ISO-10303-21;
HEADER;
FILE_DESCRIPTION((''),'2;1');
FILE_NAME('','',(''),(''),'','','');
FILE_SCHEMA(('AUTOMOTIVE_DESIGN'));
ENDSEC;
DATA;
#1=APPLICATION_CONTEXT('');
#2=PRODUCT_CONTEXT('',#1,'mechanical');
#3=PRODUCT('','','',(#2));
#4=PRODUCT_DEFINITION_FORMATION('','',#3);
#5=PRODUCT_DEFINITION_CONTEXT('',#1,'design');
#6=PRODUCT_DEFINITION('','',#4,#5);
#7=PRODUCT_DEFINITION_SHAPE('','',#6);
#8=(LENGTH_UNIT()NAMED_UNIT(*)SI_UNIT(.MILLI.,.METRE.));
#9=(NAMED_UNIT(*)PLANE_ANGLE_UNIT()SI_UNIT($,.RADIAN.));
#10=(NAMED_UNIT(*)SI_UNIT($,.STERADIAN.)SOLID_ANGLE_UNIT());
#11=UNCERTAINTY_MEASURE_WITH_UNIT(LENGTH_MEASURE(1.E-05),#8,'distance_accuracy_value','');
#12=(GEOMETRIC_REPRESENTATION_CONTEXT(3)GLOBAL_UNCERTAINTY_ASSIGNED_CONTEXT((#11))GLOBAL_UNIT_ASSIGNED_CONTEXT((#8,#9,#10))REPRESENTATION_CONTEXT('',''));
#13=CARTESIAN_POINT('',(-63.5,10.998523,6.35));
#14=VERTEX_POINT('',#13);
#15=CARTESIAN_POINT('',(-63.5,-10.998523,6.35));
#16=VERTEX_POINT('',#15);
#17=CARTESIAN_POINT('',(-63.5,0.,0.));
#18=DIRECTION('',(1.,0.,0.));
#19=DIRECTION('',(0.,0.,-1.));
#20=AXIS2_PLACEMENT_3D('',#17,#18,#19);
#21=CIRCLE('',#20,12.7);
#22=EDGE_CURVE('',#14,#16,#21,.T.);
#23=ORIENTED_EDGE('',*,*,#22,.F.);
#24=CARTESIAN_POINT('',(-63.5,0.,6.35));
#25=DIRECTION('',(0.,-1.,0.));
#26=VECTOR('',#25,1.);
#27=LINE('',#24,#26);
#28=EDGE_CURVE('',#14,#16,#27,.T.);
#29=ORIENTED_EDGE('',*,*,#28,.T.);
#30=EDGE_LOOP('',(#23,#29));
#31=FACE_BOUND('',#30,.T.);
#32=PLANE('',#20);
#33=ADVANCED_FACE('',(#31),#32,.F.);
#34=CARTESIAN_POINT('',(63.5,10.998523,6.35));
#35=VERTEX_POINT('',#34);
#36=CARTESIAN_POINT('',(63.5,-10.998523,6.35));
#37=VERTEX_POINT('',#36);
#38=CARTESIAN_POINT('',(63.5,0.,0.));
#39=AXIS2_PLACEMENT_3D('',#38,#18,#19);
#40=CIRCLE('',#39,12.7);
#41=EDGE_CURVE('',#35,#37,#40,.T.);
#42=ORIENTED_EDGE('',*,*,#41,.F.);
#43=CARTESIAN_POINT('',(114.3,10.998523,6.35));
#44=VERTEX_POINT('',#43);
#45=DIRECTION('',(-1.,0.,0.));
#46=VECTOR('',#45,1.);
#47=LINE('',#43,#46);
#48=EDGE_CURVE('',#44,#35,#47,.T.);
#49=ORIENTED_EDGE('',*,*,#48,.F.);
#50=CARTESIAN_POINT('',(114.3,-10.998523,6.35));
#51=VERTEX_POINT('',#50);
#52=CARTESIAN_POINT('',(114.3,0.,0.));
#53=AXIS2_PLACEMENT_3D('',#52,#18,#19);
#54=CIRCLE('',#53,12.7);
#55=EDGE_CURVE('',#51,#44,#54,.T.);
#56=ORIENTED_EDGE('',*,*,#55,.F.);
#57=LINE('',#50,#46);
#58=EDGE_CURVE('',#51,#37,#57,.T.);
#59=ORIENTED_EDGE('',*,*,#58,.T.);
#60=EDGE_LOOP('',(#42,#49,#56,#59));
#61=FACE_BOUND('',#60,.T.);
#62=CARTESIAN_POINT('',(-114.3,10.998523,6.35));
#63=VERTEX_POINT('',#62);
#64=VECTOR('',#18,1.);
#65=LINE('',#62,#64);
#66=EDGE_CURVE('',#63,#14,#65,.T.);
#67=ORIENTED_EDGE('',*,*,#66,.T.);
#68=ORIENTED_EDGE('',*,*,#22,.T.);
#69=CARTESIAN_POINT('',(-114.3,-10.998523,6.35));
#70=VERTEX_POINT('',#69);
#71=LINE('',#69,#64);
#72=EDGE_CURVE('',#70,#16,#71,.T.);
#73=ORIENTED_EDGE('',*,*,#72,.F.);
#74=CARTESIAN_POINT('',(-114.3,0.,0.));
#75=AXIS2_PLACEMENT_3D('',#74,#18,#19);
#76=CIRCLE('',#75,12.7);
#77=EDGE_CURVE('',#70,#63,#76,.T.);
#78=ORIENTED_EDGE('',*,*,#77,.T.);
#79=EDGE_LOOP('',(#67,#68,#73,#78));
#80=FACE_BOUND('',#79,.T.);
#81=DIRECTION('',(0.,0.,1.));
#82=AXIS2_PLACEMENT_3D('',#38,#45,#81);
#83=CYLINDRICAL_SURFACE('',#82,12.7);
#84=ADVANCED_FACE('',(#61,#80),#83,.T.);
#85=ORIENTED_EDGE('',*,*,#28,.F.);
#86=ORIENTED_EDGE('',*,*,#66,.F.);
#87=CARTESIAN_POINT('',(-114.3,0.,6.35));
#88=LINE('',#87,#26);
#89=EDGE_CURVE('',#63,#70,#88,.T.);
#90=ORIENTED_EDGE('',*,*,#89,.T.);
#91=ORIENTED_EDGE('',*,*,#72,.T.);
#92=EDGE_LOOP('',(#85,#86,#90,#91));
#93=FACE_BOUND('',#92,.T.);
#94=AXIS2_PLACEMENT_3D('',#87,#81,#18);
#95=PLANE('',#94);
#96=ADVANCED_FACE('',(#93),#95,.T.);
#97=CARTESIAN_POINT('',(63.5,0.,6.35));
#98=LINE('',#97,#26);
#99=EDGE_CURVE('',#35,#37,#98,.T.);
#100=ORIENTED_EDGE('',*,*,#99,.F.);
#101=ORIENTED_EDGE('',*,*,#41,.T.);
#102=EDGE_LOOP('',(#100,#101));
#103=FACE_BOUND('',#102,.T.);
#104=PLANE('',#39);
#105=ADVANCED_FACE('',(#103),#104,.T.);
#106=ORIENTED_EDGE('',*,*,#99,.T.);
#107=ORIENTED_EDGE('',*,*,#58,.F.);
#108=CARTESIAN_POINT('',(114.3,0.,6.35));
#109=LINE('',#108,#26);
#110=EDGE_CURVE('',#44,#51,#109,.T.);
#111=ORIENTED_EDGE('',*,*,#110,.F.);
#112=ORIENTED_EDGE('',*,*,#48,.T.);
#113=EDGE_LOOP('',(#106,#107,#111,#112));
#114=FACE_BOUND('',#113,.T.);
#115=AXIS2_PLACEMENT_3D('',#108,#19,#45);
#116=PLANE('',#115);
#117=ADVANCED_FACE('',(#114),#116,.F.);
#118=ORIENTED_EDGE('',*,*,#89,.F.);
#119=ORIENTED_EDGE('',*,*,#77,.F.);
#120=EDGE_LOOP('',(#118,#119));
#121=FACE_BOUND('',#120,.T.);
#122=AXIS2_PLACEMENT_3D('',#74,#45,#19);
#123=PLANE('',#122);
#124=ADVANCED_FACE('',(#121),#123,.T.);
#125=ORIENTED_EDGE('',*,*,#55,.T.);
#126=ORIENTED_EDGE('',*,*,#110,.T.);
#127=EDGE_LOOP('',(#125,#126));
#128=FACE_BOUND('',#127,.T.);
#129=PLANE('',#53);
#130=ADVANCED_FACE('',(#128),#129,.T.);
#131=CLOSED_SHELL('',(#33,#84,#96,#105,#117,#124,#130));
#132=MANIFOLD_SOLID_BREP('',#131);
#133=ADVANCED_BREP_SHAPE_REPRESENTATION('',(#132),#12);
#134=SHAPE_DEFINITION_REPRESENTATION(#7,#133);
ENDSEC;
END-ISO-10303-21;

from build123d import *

# Parameters (mm, degrees)
SKETCH1_R           = 12.7
BOSS_EXTRUDE1_DEPTH = 63.5
BOSS_EXTRUDE2_DEPTH = 50.8


with BuildPart() as part:
    # Sketch1 → Boss-Extrude1 (new body, symmetric)
    with BuildSketch(Plane(origin=(0, 0, 0), x_dir=(0, 0, -1), z_dir=(1, 0, 0))):
        Circle(SKETCH1_R)
    extrude(amount=BOSS_EXTRUDE1_DEPTH, both=True)

    # Sketch2 → Boss-Extrude2 (add)
    with BuildSketch(Plane(origin=(63.5, 0, 0), x_dir=(0, 0, -1), z_dir=(1, 0, 0))):
        with BuildLine():
            ThreePointArc((12.7, 0), (6.35, 10.998522628), (-6.35, 10.998522628))
            Line((-6.35, 10.998522628), (-6.35, -10.998522628))
            ThreePointArc((-6.35, -10.998522628), (6.35, -10.998522628), (12.7, 0))
        make_face()
    boss_extrude2 = extrude(amount=BOSS_EXTRUDE2_DEPTH)

    # Mirror1: Boss-Extrude2 across plane
    add(boss_extrude2.mirror(Plane(origin=(0, 0, 0), x_dir=(0, 0, 1), z_dir=(1, 0, 0))))


solid = part.part
